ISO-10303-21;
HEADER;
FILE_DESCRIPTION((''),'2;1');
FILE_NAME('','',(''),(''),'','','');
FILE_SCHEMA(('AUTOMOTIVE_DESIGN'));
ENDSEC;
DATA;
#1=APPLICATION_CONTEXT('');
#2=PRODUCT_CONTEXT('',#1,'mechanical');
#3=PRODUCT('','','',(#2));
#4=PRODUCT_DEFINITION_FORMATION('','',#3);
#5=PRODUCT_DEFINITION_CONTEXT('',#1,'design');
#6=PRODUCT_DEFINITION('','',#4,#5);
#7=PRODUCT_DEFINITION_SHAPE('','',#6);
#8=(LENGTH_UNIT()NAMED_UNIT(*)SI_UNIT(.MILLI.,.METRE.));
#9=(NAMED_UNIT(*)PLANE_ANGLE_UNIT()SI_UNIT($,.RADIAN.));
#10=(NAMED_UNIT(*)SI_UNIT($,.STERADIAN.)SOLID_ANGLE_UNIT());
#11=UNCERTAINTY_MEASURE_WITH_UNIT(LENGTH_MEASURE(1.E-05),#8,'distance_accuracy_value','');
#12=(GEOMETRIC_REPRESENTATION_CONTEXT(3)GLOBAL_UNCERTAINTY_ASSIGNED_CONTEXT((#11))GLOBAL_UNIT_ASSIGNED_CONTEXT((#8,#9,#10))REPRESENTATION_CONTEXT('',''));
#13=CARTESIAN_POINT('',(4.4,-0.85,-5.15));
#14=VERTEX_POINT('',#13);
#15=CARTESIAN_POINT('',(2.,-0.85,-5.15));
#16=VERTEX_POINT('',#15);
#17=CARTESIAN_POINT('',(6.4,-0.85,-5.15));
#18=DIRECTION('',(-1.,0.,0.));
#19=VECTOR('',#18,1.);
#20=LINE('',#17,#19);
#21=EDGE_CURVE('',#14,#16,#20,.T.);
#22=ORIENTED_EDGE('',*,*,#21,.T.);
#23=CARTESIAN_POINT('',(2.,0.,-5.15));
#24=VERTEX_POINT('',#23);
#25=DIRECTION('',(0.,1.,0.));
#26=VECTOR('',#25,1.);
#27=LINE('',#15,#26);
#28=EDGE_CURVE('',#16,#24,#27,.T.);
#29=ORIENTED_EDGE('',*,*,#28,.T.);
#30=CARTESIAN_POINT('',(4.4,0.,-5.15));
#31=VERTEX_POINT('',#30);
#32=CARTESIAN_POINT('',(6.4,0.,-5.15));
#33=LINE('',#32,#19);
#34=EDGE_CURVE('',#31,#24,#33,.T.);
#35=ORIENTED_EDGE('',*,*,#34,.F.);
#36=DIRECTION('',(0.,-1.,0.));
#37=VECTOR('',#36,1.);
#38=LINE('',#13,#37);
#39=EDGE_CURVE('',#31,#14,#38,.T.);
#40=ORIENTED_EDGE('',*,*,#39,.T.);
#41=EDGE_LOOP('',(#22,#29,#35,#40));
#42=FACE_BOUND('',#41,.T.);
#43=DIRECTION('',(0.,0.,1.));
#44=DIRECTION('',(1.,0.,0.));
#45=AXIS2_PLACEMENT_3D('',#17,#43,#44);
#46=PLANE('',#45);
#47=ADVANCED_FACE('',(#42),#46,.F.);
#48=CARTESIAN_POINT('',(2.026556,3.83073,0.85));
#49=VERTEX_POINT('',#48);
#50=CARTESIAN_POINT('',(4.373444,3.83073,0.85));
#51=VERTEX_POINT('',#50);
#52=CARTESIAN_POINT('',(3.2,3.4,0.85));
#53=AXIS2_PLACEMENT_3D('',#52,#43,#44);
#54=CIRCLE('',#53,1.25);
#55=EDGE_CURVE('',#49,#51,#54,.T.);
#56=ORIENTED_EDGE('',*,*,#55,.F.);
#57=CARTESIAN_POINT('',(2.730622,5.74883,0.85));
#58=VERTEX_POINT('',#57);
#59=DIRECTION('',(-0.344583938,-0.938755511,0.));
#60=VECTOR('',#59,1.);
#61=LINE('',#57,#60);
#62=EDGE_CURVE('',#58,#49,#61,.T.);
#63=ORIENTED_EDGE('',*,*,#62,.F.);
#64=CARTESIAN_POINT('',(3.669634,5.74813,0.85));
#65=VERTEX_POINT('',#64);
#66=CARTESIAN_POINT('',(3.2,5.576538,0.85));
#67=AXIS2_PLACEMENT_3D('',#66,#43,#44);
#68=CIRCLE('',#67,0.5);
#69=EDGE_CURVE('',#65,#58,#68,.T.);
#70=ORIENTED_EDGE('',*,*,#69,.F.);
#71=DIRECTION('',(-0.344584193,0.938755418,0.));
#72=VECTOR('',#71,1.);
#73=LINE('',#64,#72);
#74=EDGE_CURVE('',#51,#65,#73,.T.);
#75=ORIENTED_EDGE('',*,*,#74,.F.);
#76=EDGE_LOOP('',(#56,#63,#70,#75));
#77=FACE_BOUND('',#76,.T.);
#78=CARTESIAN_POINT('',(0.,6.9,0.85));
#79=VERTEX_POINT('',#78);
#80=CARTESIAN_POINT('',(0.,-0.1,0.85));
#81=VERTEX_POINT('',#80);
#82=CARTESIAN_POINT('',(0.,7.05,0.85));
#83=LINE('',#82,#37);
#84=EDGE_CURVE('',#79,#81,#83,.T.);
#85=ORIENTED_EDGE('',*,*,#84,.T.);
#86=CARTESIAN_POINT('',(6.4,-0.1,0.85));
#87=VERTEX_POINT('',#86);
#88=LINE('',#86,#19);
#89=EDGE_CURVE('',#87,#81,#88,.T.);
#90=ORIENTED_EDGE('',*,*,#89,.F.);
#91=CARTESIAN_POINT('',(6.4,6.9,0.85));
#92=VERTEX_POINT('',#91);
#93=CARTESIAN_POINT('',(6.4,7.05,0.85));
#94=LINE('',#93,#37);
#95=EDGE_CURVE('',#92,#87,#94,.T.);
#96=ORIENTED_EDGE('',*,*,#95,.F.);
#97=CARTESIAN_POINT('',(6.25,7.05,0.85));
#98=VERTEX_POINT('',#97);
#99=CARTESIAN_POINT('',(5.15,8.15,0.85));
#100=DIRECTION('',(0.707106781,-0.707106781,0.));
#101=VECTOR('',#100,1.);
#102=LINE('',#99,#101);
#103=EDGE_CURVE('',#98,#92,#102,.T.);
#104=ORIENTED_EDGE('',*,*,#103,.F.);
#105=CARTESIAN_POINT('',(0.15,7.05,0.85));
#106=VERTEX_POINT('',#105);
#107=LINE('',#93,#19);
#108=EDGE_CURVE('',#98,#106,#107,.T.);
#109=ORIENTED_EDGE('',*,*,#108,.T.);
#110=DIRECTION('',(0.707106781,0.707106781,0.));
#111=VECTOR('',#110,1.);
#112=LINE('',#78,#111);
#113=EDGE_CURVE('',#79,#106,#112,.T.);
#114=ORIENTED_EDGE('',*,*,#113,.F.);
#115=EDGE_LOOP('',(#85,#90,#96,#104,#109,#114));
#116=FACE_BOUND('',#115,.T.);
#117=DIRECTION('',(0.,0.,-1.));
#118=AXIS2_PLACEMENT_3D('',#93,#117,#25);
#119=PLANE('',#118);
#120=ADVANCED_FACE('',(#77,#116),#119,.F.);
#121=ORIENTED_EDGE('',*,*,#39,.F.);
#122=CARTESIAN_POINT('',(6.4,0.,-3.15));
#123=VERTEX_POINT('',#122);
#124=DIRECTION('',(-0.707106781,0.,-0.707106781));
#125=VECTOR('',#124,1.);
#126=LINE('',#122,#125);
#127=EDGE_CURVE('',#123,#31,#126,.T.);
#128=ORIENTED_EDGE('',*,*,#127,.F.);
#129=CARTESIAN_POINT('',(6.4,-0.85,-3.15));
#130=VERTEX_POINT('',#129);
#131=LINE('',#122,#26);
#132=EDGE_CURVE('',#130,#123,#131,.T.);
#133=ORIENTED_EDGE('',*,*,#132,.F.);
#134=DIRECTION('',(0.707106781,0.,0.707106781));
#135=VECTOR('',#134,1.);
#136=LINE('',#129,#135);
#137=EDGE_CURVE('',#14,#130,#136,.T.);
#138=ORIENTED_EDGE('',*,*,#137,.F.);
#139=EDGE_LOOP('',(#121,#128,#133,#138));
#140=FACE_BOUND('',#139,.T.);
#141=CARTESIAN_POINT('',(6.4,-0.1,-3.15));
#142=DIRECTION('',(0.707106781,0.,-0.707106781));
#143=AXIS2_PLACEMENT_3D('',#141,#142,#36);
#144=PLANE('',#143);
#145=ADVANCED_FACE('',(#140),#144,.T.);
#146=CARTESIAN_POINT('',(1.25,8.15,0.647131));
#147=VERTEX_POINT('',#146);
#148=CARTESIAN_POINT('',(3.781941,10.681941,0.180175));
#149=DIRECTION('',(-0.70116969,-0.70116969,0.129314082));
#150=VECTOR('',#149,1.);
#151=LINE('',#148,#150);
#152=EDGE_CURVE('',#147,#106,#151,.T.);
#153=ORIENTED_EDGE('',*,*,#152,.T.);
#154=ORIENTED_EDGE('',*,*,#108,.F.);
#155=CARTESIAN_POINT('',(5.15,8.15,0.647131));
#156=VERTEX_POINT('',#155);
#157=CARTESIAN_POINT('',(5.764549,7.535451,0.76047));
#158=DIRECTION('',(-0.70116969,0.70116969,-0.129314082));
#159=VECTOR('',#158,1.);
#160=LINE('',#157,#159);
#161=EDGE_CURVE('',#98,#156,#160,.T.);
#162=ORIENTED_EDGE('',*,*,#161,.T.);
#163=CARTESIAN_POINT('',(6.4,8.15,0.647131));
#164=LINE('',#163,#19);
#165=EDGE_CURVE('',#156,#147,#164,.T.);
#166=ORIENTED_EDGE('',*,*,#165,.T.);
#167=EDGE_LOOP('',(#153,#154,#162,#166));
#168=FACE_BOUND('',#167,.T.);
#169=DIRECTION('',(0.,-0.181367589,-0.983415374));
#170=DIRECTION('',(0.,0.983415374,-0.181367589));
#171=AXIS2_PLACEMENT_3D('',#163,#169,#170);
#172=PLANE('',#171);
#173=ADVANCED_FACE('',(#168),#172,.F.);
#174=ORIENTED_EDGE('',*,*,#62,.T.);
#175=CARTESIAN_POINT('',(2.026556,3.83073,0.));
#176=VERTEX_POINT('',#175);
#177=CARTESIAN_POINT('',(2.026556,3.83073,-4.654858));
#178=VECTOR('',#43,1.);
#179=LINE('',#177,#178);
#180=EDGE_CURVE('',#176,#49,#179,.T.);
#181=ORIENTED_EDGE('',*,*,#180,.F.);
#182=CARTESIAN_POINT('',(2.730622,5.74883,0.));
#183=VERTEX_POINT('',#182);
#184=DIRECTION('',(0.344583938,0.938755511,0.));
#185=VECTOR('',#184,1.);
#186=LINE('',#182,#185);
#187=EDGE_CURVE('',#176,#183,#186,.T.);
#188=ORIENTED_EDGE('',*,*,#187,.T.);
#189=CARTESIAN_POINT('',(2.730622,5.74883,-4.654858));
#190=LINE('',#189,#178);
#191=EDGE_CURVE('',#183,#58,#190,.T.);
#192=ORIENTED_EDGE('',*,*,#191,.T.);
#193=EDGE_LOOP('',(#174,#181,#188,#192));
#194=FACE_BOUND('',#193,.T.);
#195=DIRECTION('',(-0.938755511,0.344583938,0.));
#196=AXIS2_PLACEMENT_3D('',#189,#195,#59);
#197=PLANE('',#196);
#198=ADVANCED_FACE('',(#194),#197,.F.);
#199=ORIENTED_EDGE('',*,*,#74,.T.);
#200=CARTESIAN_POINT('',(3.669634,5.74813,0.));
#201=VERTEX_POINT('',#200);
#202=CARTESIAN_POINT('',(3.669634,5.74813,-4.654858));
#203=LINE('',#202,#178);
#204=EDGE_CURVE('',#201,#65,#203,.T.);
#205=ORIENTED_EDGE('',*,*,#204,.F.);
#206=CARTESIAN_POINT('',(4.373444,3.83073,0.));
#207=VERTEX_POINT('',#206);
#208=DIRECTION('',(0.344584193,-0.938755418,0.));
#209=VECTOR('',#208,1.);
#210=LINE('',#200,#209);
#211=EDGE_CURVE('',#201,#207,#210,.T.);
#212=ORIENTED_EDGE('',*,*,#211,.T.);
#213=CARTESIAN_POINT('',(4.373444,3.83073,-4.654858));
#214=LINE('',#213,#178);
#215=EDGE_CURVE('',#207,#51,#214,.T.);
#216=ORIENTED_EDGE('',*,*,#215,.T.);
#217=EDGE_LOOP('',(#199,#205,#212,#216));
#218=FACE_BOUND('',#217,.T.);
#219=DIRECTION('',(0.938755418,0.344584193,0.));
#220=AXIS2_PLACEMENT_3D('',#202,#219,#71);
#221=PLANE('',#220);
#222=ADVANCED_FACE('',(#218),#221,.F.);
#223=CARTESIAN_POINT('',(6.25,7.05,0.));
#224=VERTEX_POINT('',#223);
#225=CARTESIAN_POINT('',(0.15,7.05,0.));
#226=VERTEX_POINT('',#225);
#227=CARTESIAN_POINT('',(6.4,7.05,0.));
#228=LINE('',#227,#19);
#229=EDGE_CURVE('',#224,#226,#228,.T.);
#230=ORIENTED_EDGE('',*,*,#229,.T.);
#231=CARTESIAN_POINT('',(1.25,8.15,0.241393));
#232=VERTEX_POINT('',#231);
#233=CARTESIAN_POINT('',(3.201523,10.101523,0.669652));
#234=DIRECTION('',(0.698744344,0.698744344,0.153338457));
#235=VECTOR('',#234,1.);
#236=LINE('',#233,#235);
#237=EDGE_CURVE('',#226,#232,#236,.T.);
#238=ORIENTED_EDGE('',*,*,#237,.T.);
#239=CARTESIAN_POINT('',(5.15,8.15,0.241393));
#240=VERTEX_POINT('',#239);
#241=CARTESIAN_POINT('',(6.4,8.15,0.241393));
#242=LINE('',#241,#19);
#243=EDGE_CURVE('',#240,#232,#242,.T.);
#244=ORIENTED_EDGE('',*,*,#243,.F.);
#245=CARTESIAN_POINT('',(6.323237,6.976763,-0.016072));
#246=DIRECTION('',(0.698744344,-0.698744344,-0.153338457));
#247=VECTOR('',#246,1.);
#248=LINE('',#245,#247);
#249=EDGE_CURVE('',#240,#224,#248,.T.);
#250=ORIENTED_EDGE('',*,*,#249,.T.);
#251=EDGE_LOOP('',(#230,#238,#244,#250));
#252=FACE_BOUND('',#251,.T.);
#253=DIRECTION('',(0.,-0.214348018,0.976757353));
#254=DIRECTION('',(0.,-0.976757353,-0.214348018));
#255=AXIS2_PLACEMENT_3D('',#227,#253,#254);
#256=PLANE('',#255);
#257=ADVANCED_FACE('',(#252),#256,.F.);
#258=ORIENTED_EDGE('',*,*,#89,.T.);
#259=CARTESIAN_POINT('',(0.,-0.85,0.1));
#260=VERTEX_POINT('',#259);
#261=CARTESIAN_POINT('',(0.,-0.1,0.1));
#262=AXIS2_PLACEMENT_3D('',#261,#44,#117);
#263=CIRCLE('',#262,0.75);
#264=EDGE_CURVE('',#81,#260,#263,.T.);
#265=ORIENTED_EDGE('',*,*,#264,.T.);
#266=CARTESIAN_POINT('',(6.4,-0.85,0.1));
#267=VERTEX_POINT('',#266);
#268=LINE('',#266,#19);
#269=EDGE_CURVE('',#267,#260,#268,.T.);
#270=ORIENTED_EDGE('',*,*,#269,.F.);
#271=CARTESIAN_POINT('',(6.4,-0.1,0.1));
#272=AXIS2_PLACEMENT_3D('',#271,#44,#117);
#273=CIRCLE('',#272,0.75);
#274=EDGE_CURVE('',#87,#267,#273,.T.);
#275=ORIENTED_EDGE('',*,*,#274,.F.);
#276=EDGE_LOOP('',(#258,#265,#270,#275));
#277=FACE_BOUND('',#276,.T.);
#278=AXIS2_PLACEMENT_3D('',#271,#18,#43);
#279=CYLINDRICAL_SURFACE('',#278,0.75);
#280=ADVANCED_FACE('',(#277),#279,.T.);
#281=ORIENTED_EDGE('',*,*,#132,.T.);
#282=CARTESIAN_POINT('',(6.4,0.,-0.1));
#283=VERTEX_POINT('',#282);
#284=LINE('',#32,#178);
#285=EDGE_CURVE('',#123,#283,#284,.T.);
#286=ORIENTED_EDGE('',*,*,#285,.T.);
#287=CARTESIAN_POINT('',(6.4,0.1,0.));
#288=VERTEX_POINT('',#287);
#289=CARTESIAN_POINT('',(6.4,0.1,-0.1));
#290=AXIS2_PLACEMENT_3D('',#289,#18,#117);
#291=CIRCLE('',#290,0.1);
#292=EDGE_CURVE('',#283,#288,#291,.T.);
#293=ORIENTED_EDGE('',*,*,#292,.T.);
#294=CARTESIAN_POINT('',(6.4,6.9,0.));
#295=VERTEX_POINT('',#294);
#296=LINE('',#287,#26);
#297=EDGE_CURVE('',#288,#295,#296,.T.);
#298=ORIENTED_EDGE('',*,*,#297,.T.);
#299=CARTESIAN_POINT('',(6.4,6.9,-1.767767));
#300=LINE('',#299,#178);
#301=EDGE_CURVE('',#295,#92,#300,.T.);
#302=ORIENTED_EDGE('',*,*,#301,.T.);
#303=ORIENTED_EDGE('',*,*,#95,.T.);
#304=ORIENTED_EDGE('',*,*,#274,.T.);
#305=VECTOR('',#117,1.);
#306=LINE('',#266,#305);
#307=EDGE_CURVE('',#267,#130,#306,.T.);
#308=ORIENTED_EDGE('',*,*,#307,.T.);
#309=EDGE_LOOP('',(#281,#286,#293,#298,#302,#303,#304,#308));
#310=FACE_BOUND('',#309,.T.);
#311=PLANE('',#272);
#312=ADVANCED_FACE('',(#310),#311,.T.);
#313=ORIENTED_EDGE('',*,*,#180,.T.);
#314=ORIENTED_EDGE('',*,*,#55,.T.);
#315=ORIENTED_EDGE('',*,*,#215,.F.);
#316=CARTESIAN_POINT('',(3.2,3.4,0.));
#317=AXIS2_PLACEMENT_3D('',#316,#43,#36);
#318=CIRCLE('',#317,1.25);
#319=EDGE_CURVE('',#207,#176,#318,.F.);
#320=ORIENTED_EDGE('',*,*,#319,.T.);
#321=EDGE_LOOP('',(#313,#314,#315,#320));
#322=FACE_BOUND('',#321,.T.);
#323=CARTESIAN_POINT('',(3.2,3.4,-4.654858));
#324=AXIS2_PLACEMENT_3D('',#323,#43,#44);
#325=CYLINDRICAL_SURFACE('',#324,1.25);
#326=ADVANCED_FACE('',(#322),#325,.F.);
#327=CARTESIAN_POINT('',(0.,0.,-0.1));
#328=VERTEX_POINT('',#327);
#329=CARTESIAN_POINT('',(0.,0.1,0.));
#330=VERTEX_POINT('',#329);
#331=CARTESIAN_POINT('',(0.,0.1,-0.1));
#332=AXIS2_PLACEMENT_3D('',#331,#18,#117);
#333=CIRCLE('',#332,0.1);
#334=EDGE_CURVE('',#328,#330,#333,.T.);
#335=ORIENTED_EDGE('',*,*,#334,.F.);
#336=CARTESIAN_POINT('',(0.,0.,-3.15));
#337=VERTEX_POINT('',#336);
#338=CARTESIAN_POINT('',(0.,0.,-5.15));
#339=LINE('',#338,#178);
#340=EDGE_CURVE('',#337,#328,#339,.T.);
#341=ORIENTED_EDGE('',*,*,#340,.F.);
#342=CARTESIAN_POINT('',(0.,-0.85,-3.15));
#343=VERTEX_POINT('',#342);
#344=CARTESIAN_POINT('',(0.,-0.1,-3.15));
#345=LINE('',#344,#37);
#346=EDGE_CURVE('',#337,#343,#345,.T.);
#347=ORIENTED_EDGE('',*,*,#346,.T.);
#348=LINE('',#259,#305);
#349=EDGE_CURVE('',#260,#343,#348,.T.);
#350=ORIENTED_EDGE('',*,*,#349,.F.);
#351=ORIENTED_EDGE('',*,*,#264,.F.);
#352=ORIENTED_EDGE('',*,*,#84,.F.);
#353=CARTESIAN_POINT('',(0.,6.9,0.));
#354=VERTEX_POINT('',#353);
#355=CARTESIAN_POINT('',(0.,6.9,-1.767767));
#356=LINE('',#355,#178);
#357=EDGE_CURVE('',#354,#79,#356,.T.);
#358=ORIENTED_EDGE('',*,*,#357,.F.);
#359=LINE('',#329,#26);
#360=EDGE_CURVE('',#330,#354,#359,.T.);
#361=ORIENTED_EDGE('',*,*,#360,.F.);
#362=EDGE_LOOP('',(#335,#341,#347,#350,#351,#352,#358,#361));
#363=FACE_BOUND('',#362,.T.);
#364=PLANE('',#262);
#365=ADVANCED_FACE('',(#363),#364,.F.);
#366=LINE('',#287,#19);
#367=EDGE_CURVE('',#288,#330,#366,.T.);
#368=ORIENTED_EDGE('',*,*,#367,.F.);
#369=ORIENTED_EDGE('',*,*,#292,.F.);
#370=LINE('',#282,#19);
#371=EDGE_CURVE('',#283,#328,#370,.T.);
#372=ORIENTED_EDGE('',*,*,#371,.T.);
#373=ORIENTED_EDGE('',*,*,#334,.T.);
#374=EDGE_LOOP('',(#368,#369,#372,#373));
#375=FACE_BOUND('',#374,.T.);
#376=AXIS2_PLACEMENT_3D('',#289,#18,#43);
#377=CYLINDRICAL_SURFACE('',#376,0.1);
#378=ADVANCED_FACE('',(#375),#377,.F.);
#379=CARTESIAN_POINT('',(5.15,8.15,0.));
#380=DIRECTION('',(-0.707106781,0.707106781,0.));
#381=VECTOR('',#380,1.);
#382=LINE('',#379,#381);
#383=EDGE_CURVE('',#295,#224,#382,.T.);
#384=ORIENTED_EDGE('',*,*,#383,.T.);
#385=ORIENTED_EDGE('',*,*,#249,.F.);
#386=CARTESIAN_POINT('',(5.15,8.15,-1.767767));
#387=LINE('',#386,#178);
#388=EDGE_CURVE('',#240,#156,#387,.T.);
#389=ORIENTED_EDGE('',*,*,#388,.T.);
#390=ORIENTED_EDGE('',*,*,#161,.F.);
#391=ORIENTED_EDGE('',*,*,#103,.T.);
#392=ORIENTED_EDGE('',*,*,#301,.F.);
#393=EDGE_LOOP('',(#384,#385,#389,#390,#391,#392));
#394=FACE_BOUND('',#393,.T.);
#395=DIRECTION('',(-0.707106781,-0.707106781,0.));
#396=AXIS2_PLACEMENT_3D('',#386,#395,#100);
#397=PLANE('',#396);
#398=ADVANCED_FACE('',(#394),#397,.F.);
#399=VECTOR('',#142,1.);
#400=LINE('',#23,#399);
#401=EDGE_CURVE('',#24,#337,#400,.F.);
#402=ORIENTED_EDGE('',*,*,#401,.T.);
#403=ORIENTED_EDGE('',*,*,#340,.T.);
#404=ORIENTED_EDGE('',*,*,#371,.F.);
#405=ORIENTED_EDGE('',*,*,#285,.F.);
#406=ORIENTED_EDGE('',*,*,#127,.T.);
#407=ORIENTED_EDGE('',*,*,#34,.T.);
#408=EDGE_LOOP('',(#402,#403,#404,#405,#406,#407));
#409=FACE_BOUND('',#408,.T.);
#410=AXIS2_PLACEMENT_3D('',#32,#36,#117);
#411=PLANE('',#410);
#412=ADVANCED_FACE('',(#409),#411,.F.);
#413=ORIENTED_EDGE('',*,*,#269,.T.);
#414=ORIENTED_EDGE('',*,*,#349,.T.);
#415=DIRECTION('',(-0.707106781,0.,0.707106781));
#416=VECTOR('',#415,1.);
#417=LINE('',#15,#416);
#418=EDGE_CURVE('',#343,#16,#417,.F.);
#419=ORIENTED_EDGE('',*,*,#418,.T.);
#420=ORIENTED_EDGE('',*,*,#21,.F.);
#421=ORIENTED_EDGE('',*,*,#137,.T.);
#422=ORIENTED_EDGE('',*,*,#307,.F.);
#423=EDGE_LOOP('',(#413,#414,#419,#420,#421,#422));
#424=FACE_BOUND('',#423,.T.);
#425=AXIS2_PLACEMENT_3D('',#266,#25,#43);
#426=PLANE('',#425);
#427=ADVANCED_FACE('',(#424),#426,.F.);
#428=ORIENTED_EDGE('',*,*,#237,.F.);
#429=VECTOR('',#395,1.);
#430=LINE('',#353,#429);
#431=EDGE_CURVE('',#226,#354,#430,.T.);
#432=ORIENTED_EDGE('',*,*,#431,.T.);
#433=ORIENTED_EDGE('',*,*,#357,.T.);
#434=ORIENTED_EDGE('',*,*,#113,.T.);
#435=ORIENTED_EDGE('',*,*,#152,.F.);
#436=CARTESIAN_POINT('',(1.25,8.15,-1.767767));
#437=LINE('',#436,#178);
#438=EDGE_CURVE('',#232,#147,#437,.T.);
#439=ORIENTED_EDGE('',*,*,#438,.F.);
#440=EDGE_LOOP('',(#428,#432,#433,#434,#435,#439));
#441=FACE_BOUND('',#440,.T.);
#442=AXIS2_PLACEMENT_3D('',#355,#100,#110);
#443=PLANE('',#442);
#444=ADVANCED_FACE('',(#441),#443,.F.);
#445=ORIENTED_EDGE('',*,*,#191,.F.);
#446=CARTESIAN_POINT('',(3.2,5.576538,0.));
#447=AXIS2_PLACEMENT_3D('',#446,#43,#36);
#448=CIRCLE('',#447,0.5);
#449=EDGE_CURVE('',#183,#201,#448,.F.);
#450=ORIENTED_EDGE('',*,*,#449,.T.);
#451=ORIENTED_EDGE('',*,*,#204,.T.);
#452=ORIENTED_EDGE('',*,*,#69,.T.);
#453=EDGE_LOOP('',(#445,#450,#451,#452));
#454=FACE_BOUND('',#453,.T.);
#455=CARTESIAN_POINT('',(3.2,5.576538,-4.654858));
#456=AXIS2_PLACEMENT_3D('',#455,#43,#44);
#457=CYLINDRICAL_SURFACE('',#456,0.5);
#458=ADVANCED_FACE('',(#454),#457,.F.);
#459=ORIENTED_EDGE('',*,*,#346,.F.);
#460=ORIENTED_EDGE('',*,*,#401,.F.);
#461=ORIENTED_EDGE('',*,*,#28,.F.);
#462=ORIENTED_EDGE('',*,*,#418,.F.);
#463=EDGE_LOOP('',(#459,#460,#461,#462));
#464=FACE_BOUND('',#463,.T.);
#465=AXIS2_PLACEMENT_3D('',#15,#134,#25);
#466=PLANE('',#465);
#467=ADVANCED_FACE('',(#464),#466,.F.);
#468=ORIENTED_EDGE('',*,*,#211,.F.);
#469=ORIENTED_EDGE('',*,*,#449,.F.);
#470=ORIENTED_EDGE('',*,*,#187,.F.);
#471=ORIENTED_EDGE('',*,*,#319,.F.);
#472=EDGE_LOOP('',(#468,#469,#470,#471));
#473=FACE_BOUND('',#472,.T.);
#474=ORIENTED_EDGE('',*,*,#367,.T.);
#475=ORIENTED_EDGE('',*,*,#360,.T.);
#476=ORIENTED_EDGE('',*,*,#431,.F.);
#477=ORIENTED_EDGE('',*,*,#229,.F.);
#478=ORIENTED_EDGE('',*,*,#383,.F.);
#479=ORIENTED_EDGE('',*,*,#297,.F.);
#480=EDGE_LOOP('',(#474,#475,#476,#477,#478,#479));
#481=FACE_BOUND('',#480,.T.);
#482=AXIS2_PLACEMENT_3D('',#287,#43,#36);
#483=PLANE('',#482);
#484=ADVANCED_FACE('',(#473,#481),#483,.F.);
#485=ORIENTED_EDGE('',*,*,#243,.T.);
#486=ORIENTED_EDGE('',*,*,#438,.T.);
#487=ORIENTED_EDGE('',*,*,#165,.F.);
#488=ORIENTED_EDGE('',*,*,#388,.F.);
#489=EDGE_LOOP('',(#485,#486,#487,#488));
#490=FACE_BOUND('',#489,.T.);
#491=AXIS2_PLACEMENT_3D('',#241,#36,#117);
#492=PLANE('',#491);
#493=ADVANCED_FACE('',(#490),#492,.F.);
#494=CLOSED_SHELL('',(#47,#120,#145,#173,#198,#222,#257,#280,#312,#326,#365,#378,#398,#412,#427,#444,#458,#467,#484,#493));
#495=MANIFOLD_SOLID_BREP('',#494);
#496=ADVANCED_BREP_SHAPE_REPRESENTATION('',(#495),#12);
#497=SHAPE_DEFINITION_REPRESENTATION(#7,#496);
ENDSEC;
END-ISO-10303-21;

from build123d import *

# Parameters (mm, degrees)
BOSS_EXTRUDE1_DEPTH = 6.4
CHAMFER3_SIZE       = 2
CUT_EXTRUDE1_DEPTH  = 0.85
CUT_EXTRUDE2_DEPTH  = 0.85


with BuildPart() as part:
    # Sketch1 → Boss-Extrude1 (new body)
    with BuildSketch(Plane(origin=(0, 0, 0), x_dir=(0, 0, -1), z_dir=(1, 0, 0))):
        with BuildLine():
            Line((0, 0.1), (0, 7.05))
            Line((0, 7.05), (-0.241393443, 8.15))
            Line((-0.241393443, 8.15), (-0.647131148, 8.15))
            Line((-0.647131148, 8.15), (-0.85, 7.05))
            Line((-0.85, 7.05), (-0.85, -0.1))
            ThreePointArc((-0.85, -0.1), (-0.630330086, -0.630330086), (-0.1, -0.85))
            Line((-0.1, -0.85), (5.15, -0.85))
            Line((5.15, -0.85), (5.15, 0))
            Line((5.15, 0), (0.1, 0))
            ThreePointArc((0.1, 0), (0.029289322, 0.029289322), (0, 0.1))
        make_face()
    extrude(amount=BOSS_EXTRUDE1_DEPTH)

    # Chamfer3
    chamfer3_edges = [part.edges().sort_by_distance(p)[0] for p in [
        (0, -0.425, -5.15),
        (6.4, -0.425, -5.15),
    ]]
    chamfer(chamfer3_edges, length=CHAMFER3_SIZE)

    # Sketch4 → Cut-Extrude1 (cut)
    with BuildSketch(Plane.XY.offset(0.85)):
        Polygon((0, 6.9), (1.25, 8.15), (0, 8.15), align=None)
        Polygon((5.15, 8.15), (6.4, 6.9), (6.4, 8.15), align=None)
    extrude(amount=-CUT_EXTRUDE1_DEPTH, mode=Mode.SUBTRACT)

    # Sketch5 → Cut-Extrude2 (cut)
    with BuildSketch(Plane.XY.offset(0.85)):
        with BuildLine():
            Line((2.730622244, 5.748829869), (2.026555611, 3.830729922))
            ThreePointArc((2.026555611, 3.830729922), (3.20000017, 2.15), (4.373444272, 3.830730241))
            Line((4.373444272, 3.830730241), (3.669633952, 5.748130298))
            ThreePointArc((3.669633952, 5.748130298), (3.200372504, 6.076537762), (2.730622244, 5.748829869))
        make_face()
    extrude(amount=-CUT_EXTRUDE2_DEPTH, mode=Mode.SUBTRACT)


solid = part.part
